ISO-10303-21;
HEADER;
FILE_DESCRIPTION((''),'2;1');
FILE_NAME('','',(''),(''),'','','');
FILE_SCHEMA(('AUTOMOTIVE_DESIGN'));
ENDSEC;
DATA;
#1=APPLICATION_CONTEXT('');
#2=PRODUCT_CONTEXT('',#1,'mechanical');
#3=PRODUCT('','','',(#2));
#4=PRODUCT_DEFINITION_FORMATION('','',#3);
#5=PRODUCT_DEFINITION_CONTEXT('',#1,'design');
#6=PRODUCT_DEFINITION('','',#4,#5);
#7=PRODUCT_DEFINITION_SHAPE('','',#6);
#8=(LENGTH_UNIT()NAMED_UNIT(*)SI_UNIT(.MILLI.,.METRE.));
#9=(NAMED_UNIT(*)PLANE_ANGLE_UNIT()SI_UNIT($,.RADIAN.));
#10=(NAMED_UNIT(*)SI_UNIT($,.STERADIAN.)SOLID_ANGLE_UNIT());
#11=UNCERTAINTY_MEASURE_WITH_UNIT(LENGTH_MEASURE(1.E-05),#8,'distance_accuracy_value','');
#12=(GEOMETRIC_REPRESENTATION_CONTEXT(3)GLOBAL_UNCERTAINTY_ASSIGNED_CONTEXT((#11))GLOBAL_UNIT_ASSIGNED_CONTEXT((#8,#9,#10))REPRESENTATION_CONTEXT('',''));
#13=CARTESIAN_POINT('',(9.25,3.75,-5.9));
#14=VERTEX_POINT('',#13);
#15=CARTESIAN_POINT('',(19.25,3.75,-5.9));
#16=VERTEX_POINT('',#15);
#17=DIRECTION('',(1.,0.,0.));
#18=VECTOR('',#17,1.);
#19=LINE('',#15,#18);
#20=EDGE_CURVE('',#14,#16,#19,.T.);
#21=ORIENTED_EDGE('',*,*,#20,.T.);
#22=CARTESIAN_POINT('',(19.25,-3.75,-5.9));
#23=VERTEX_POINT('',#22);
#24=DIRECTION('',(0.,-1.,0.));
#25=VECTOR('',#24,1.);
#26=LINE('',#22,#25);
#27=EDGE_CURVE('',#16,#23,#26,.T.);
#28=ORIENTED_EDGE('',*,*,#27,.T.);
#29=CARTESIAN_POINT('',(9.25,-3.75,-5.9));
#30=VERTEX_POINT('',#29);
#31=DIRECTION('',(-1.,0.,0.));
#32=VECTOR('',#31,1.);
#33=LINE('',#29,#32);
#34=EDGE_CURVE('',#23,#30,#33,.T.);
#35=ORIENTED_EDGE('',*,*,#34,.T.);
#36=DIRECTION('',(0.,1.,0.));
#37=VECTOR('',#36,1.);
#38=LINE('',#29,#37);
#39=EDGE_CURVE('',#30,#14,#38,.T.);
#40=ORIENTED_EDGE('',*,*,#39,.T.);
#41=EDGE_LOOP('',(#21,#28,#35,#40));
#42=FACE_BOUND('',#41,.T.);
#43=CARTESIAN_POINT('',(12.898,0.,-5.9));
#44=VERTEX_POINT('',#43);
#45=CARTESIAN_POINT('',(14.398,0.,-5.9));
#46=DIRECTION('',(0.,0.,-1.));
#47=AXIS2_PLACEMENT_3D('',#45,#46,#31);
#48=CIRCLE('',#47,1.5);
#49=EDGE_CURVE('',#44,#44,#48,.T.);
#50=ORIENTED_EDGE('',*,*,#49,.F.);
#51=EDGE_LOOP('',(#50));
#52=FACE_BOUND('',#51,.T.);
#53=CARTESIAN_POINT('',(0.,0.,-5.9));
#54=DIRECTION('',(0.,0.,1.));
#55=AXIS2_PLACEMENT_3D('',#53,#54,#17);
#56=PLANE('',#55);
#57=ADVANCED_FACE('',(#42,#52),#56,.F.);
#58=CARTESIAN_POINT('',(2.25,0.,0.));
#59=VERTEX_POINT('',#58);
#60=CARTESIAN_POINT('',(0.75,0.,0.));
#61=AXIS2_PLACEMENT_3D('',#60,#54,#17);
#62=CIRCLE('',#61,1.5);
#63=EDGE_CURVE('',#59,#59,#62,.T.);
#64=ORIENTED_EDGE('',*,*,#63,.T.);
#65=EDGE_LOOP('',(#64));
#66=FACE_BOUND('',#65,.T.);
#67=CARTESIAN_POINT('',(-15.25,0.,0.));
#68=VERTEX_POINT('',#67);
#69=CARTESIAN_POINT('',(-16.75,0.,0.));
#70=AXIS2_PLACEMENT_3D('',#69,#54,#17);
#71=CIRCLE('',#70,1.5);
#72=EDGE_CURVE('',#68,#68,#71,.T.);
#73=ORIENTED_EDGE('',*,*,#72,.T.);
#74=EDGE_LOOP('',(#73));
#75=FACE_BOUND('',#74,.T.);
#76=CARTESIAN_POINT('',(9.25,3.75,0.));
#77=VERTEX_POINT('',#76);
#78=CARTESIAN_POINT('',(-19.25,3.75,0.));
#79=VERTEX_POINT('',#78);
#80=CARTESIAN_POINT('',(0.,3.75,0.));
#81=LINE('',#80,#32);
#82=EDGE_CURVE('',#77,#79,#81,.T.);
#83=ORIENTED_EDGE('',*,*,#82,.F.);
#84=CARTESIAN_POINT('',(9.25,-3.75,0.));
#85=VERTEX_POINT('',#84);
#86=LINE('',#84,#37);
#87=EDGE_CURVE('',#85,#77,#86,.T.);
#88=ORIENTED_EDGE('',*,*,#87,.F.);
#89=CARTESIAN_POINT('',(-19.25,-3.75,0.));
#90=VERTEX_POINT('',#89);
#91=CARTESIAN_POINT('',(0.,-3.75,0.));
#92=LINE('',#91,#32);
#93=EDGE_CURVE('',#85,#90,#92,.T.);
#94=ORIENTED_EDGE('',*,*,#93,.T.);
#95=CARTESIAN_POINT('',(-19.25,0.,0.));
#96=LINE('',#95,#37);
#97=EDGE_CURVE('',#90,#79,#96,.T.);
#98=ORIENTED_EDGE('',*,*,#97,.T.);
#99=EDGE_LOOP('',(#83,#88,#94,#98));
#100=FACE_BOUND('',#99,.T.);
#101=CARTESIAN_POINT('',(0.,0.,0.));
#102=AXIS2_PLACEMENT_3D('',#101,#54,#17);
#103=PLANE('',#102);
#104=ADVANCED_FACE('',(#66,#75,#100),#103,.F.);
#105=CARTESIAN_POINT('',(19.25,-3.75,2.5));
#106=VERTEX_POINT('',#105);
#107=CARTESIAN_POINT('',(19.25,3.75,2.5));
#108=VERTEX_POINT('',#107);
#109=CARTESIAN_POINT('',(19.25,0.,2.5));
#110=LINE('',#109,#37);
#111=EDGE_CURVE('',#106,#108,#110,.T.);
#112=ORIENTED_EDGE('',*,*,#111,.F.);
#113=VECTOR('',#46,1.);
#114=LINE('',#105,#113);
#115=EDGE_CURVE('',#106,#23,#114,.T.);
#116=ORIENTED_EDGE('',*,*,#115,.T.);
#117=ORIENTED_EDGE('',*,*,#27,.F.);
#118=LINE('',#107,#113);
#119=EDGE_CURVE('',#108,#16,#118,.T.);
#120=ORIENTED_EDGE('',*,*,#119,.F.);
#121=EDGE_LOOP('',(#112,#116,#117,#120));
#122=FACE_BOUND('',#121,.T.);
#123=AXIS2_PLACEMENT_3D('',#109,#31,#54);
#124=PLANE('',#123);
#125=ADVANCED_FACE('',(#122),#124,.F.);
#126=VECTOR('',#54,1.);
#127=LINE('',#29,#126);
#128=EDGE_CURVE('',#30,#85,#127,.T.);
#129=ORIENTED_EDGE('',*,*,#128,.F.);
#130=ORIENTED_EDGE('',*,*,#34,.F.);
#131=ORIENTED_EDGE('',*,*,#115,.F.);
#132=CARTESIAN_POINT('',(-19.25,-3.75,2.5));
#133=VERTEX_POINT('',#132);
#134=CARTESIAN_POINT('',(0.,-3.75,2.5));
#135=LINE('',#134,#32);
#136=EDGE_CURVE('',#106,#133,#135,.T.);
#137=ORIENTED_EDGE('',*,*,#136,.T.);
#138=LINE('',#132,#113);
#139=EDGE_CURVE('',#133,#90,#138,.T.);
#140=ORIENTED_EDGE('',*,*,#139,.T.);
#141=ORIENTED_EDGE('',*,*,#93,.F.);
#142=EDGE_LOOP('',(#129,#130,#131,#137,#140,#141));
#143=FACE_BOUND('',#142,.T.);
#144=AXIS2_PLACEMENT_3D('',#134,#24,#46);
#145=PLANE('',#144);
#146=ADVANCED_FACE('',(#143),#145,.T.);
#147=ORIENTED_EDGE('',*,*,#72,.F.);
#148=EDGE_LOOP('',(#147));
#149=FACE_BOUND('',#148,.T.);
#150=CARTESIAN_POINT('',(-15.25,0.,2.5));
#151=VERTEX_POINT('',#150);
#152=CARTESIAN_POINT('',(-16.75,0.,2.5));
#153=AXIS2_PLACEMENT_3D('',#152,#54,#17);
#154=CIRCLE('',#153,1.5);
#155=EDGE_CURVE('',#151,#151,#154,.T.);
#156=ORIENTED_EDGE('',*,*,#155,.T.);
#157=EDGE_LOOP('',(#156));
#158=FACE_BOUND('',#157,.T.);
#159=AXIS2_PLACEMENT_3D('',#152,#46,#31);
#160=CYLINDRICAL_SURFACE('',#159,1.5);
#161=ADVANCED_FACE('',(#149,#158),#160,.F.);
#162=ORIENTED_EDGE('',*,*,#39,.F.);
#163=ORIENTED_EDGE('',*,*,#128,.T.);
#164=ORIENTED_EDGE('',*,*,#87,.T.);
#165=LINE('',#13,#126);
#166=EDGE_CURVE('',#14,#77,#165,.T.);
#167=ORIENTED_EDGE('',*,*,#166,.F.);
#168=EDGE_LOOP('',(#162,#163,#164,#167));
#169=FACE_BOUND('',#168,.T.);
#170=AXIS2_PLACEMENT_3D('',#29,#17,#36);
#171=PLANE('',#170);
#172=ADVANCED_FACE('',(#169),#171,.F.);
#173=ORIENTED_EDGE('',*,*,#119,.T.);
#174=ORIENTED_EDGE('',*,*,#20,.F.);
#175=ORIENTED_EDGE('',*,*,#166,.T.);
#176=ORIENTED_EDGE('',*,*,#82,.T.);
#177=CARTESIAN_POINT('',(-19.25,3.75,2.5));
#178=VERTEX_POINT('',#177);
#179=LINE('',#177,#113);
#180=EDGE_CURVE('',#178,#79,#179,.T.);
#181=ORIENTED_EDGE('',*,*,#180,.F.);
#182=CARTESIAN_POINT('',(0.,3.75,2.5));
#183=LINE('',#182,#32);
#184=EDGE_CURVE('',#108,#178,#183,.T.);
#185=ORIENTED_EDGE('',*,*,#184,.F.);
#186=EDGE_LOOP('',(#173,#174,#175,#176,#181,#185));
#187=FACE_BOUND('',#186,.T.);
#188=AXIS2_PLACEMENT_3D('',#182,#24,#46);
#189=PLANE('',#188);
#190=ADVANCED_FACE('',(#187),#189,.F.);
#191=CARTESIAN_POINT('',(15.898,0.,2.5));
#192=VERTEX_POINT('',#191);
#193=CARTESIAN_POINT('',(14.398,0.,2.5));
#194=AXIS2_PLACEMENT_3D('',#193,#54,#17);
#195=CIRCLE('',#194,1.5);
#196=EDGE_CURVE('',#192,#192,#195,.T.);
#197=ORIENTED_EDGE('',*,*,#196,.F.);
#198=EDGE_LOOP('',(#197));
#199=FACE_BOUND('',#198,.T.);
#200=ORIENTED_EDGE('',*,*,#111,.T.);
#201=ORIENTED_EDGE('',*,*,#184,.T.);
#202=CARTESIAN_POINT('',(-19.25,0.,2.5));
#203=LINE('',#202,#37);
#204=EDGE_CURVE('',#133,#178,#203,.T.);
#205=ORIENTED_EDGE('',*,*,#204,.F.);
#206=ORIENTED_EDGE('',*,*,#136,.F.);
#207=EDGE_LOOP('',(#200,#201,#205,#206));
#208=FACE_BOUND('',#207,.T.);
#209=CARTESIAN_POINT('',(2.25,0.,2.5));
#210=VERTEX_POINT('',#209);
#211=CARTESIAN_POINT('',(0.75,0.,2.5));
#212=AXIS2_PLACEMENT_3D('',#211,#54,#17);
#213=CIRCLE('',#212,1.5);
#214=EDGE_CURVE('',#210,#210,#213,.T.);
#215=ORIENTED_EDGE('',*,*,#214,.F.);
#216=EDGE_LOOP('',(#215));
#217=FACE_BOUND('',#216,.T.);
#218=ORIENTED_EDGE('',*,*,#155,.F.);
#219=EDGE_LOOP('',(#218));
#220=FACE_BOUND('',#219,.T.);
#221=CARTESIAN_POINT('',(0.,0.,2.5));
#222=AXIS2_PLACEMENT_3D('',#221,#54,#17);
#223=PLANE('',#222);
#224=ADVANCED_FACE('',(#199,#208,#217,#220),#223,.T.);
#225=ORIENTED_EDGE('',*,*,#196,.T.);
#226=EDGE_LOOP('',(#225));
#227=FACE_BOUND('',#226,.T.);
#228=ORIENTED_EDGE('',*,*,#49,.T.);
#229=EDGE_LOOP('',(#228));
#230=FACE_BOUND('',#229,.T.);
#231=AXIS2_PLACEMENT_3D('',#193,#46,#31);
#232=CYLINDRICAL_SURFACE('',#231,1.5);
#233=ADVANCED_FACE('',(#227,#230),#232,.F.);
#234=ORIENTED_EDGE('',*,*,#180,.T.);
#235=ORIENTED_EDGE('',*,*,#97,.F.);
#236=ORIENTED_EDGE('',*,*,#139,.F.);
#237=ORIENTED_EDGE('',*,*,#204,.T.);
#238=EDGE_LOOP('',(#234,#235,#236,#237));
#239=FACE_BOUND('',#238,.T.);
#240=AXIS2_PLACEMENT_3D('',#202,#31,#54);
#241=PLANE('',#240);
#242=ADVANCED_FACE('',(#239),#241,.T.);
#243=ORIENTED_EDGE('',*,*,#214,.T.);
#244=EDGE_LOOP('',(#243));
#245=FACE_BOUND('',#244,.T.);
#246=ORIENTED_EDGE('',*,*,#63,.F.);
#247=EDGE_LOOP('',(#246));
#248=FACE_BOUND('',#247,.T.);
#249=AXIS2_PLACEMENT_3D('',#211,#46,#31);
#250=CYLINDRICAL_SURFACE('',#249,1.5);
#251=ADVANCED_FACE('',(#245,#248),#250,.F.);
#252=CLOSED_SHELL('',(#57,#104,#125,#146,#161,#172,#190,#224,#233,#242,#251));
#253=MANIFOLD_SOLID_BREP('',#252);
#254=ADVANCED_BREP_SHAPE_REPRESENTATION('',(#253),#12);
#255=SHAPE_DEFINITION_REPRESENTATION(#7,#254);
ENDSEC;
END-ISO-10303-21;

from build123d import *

# Parameters (mm, degrees)
BOSS_EXTRUDE1_DEPTH = 2.5
BOSS_EXTRUDE2_START = 5.9
SKETCH2_W           = 10
SKETCH2_H           = 7.5
SKETCH2_R           = 1.5
BOSS_EXTRUDE2_DEPTH = 5.9


with BuildPart() as part:
    # Sketch1 → Boss-Extrude1 (new body)
    with BuildSketch(Plane(origin=(0, 0, 0), x_dir=(0, 1, 0), z_dir=(0, 0, 1))):
        with BuildLine():
            Line((0, 18.25), (0, 19.25))
            Line((0, 19.25), (-3.75, 19.25))
            Line((-3.75, 19.25), (-3.75, -19.25))
            Line((-3.75, -19.25), (0, -19.25))
            Line((0, -19.25), (0, -15.898))
            ThreePointArc((0, -15.898), (-1.5, -14.398), (0, -12.898))
            Line((0, -12.898), (0, -2.25))
            ThreePointArc((0, -2.25), (-1.5, -0.75), (0, 0.75))
            Line((0, 0.75), (0, 15.25))
            ThreePointArc((0, 15.25), (-1.5, 16.75), (0, 18.25))
        make_face()
        with BuildLine():
            Line((3.75, 19.25), (0, 19.25))
            Line((0, 19.25), (0, 18.25))
            ThreePointArc((0, 18.25), (1.060660172, 17.810660172), (1.5, 16.75))
            ThreePointArc((1.5, 16.75), (1.060660172, 15.689339828), (0, 15.25))
            Line((0, 15.25), (0, 0.75))
            ThreePointArc((0, 0.75), (1.060660172, 0.310660172), (1.5, -0.75))
            ThreePointArc((1.5, -0.75), (1.060660172, -1.810660172), (0, -2.25))
            Line((0, -2.25), (0, -12.898))
            ThreePointArc((0, -12.898), (1.060660172, -13.337339828), (1.5, -14.398))
            ThreePointArc((1.5, -14.398), (1.060660172, -15.458660172), (0, -15.898))
            Line((0, -15.898), (0, -19.25))
            Line((0, -19.25), (3.75, -19.25))
            Line((3.75, -19.25), (3.75, 19.25))
        make_face()
    extrude(amount=BOSS_EXTRUDE1_DEPTH)

    # Sketch2 → Boss-Extrude2 (add)
    with BuildSketch(Plane(origin=(0, 0, 0), x_dir=(1, 0, 0), z_dir=(0, 0, -1)).offset(BOSS_EXTRUDE2_START)):
        with Locations((14.25, 0)):
            Rectangle(SKETCH2_W, SKETCH2_H)
        with Locations(Location((14.398, 0, 0), (0, 0, 180))):
            Circle(SKETCH2_R, mode=Mode.SUBTRACT)
    extrude(amount=-BOSS_EXTRUDE2_DEPTH)


solid = part.part
